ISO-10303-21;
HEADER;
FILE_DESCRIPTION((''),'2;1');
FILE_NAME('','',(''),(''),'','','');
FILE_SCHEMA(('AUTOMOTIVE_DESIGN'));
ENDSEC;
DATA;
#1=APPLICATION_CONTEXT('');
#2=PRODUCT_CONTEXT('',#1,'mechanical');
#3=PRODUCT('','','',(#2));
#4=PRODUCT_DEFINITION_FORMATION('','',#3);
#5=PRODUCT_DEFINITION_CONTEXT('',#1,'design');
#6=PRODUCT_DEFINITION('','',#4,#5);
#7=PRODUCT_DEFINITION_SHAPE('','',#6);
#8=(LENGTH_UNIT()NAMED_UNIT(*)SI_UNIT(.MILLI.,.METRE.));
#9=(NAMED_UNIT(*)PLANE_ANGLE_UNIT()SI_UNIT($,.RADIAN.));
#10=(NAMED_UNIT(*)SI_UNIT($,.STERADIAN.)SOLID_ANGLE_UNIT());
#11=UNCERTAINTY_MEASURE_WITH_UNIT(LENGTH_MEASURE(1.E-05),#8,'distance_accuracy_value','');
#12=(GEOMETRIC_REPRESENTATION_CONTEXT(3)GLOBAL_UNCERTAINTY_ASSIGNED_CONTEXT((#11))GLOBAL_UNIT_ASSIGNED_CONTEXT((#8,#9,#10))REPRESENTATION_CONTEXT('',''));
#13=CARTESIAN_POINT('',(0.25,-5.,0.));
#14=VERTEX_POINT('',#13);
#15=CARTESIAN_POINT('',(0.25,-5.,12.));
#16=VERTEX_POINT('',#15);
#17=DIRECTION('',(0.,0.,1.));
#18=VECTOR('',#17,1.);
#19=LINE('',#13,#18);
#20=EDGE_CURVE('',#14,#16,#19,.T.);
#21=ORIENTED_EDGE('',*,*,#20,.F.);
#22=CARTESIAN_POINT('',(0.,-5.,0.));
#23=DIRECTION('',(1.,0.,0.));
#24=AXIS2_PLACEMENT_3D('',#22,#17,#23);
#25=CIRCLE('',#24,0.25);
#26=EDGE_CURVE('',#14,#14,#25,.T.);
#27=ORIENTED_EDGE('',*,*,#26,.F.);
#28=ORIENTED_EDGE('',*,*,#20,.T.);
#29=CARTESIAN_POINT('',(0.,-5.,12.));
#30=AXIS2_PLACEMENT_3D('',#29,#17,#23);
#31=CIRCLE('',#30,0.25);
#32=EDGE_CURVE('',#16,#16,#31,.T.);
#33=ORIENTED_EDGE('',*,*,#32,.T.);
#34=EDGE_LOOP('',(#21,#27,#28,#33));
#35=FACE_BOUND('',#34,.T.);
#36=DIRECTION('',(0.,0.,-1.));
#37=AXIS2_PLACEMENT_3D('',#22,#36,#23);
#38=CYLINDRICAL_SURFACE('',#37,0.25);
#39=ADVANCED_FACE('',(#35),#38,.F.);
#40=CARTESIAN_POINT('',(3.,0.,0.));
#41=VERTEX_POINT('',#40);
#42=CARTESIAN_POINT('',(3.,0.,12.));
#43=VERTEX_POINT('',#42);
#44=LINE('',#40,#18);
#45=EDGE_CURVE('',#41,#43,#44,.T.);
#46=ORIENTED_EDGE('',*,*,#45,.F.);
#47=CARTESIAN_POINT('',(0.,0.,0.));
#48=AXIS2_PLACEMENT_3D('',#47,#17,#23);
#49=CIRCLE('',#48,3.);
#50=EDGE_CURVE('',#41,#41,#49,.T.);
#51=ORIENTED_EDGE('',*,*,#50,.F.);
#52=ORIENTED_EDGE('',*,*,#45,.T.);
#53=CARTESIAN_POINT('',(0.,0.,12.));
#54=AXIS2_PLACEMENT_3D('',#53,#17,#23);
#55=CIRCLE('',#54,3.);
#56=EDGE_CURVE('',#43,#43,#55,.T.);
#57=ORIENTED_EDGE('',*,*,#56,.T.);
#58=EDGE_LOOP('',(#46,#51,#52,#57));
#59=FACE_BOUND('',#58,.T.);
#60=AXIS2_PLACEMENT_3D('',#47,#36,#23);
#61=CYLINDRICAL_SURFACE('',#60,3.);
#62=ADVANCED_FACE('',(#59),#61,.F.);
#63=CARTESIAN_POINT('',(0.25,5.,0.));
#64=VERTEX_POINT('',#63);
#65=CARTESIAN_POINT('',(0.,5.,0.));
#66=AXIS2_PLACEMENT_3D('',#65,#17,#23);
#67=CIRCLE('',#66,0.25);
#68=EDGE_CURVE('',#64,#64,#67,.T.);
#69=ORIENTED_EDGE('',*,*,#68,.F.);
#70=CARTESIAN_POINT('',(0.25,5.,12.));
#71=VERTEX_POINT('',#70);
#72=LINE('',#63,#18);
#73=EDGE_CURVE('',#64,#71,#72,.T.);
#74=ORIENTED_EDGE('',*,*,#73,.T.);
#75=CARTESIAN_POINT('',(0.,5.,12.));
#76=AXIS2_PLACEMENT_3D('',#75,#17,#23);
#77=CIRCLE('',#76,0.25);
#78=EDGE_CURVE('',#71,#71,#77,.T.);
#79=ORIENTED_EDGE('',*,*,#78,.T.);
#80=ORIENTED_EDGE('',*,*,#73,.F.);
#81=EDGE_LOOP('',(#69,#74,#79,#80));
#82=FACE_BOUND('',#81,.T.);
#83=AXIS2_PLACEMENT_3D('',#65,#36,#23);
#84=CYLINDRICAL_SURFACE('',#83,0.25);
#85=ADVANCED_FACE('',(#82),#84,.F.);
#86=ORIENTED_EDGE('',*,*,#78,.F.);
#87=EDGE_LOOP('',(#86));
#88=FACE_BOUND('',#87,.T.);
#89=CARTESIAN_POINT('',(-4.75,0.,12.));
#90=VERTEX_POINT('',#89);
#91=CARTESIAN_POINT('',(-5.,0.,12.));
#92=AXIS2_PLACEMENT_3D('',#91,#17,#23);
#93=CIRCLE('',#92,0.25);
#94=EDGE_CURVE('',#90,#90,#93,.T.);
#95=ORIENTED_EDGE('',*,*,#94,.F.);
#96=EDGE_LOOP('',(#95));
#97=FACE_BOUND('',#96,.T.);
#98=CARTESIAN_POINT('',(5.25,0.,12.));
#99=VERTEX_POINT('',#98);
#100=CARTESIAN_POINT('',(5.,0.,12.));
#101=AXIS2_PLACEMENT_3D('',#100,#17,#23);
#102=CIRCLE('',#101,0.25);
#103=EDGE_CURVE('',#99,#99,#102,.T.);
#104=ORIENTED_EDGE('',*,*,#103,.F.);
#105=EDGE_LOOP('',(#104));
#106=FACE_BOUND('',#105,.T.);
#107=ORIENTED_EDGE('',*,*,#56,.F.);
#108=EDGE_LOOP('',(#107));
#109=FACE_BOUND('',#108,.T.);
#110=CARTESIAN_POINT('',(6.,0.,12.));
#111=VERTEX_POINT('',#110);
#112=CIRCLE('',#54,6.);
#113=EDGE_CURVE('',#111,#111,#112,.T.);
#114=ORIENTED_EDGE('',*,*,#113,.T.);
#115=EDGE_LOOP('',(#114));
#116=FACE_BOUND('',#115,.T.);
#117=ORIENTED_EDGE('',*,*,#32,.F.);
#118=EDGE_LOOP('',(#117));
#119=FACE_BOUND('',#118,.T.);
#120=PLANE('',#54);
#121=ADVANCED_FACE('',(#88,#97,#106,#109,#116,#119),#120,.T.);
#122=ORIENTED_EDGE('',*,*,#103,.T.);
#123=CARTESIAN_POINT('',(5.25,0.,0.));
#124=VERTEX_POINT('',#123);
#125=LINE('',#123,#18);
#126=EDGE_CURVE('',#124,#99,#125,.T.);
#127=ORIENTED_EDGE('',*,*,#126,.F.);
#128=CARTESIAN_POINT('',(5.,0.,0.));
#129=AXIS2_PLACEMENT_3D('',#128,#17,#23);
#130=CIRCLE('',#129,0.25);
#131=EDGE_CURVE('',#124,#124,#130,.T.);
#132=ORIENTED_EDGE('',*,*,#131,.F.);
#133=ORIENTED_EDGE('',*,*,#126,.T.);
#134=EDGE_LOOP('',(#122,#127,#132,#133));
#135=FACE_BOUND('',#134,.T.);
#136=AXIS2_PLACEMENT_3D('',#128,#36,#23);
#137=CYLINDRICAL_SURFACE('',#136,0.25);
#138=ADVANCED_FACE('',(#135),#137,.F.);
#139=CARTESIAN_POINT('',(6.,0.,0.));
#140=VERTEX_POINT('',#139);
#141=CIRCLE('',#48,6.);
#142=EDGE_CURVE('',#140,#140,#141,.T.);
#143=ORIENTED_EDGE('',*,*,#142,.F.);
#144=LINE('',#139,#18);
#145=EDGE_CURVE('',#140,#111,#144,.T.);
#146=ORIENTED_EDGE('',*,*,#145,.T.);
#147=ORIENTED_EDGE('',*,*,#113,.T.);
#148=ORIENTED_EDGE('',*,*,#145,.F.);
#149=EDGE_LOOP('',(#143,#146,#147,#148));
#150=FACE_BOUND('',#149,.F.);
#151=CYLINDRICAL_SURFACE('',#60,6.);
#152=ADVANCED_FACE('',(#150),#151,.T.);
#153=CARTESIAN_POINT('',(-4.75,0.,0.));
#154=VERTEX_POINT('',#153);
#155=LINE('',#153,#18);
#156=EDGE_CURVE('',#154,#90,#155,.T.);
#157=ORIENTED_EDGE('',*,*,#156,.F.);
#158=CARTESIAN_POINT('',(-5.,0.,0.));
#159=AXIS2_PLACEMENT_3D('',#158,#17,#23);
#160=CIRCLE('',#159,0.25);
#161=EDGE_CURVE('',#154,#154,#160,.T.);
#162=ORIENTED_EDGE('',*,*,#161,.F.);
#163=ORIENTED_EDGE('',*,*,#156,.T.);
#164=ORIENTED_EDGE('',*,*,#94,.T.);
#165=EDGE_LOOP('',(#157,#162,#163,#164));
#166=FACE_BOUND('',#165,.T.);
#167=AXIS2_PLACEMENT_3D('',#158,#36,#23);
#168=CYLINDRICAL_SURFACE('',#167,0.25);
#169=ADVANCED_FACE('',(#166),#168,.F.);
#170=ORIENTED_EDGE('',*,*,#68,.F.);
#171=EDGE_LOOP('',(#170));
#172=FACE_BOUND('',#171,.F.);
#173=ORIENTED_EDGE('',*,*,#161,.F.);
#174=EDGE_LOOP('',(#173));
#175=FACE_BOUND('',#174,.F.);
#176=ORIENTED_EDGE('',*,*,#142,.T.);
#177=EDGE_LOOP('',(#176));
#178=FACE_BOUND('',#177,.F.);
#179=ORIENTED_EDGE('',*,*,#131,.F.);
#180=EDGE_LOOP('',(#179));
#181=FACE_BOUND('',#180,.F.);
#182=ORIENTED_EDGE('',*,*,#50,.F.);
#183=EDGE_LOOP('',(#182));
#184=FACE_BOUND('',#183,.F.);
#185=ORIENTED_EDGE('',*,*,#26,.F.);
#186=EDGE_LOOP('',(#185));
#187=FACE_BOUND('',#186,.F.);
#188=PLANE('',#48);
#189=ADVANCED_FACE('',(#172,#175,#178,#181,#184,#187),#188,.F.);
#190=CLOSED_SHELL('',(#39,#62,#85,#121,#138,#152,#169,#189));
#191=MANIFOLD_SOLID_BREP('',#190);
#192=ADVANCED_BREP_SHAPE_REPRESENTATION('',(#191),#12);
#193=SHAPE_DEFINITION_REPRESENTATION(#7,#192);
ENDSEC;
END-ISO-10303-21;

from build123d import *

# Parameters (mm, degrees)
SKETCH_R   = 6
SKETCH_R_2 = 3
SKETCH_R_3 = 0.25
PAD_DEPTH  = 12


with BuildPart() as part:
    # Sketch → Pad (new body)
    with BuildSketch(Plane.XY):
        Circle(SKETCH_R)
        Circle(SKETCH_R_2, mode=Mode.SUBTRACT)
        with Locations((-5, 0)):
            Circle(SKETCH_R_3, mode=Mode.SUBTRACT)
        with Locations((5, 0)):
            Circle(SKETCH_R_3, mode=Mode.SUBTRACT)
        with Locations((0, 5)):
            Circle(SKETCH_R_3, mode=Mode.SUBTRACT)
        with Locations((0, -5)):
            Circle(SKETCH_R_3, mode=Mode.SUBTRACT)
    extrude(amount=PAD_DEPTH)


solid = part.part
